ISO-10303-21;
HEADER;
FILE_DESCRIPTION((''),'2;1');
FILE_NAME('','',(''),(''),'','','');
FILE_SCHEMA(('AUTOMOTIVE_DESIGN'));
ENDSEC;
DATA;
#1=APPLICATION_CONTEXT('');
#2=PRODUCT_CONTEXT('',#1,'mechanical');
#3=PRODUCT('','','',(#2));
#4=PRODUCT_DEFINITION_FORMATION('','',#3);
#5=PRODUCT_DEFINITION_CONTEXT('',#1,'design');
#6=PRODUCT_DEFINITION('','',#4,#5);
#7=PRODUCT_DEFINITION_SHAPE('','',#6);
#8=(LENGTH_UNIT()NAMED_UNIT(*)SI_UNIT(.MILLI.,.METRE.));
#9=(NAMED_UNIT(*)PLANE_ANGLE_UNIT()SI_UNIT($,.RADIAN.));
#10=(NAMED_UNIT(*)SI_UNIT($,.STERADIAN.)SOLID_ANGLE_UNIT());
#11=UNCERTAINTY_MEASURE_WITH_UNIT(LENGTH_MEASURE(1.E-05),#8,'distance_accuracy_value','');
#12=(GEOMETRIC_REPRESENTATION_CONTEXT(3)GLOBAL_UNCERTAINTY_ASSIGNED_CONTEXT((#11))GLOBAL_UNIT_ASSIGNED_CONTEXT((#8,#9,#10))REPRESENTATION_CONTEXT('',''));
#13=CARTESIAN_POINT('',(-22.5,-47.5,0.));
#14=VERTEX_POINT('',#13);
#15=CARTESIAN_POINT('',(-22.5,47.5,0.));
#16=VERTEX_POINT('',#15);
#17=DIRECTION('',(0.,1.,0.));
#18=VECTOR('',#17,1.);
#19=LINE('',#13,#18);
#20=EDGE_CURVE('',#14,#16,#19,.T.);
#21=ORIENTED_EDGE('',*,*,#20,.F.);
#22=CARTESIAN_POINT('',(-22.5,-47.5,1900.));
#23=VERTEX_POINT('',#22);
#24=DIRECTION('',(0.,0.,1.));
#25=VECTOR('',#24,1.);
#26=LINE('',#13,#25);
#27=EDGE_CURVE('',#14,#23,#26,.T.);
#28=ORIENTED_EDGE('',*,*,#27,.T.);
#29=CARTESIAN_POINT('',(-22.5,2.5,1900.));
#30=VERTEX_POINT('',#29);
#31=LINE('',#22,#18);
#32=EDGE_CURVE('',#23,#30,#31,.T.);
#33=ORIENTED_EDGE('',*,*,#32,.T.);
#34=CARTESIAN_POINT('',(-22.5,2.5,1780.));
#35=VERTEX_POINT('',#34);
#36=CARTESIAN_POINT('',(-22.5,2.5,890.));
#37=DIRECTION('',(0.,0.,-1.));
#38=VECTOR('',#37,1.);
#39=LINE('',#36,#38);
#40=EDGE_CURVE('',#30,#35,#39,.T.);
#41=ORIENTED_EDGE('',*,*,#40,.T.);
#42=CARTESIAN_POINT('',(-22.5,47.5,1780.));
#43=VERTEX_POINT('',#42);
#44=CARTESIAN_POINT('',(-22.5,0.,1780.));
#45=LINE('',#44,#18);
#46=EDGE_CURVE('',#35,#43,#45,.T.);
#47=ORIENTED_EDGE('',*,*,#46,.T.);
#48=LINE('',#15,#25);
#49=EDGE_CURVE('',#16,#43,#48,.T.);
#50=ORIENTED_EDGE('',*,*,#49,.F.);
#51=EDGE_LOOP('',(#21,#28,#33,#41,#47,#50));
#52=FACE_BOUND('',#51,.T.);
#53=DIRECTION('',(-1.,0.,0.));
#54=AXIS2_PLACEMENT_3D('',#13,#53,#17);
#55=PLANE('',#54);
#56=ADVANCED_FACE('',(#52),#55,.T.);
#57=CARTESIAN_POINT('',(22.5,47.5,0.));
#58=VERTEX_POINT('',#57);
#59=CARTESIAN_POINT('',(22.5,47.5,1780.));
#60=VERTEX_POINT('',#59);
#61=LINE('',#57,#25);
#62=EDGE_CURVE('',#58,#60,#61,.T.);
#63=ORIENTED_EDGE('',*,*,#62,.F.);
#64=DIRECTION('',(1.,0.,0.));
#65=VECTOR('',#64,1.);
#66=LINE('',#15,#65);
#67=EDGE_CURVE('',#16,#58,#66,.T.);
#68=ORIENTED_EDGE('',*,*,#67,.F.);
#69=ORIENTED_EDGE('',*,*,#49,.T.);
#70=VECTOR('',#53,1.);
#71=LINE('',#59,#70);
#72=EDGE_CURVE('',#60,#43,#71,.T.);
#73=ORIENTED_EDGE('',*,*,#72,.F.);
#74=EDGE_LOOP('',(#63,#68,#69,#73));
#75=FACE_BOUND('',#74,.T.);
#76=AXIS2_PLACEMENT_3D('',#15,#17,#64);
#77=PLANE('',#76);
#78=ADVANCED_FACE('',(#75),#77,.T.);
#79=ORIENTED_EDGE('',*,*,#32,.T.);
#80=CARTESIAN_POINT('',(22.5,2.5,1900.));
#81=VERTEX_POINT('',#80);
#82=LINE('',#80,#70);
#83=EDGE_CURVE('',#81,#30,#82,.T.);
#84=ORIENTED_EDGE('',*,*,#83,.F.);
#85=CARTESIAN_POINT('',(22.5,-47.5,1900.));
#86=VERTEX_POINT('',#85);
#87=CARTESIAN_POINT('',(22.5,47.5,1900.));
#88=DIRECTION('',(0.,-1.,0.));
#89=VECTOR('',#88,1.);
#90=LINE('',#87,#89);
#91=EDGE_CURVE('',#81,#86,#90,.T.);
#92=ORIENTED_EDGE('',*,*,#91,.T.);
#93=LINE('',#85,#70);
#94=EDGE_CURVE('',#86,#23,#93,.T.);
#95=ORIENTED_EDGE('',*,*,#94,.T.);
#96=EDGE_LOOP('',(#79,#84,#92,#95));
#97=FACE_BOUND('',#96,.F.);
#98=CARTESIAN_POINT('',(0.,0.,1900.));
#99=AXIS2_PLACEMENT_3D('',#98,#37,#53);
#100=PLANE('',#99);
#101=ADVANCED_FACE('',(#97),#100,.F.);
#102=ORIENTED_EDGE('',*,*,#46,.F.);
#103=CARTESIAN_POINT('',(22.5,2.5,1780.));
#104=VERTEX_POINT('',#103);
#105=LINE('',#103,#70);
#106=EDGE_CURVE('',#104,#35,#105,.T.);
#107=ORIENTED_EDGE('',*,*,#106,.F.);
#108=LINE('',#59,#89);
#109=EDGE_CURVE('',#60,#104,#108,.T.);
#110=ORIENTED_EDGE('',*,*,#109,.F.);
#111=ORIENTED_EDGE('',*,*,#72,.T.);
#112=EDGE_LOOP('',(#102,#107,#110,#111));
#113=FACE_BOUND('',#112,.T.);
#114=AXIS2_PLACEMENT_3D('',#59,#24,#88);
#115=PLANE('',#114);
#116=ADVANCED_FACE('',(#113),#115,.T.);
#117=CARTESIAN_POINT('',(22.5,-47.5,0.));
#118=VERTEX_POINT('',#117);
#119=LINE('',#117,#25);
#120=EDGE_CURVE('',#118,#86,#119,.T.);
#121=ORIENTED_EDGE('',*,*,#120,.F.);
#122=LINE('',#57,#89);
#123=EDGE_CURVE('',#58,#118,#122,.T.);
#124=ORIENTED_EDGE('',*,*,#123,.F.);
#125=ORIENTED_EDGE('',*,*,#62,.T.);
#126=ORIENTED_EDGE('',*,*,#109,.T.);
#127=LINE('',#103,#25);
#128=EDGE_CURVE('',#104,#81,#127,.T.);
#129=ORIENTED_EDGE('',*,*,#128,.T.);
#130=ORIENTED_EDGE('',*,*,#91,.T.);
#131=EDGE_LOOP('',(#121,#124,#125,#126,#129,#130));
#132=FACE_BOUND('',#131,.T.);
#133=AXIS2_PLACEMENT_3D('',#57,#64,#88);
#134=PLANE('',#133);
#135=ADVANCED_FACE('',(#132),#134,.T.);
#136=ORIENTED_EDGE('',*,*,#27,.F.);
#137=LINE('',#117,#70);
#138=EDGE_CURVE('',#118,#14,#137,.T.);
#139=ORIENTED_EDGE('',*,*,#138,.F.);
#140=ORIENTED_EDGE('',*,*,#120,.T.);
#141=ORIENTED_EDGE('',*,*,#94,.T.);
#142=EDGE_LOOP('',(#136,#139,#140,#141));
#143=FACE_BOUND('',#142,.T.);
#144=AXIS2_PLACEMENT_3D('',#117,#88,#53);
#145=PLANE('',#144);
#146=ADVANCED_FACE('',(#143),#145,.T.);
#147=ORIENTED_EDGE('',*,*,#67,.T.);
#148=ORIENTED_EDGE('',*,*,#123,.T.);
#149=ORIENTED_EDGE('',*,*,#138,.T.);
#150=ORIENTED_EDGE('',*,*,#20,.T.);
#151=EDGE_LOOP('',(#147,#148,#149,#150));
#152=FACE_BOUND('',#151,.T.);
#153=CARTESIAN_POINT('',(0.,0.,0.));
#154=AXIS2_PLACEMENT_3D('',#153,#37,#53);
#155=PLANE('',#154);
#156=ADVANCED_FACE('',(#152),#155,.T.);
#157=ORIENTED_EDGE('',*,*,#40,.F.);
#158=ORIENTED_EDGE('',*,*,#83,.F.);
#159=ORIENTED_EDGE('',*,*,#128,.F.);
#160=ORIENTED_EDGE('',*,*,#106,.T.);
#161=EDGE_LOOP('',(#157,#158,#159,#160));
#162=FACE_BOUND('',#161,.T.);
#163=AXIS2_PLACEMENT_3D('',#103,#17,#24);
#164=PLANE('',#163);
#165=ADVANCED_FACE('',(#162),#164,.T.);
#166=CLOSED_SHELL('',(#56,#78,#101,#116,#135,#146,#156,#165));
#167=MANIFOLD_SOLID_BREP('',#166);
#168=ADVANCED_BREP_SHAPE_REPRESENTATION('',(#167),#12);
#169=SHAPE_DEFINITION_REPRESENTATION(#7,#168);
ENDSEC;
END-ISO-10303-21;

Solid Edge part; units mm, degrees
sketch "Sketch1" plane through (0, 0, 0) normal (0, 0, -1) x (-1, 0, 0)
  line L0 (-22.5, -47.5) -> (22.5, -47.5)
  line L1 (22.5, -47.5) -> (22.5, 47.5)
  line L2 (22.5, 47.5) -> (-22.5, 47.5)
  line L3 (-22.5, 47.5) -> (-22.5, -47.5)
extrude "Protrusion1" add sketch "Sketch1" against normal blind 1900
sketch "Sketch2" plane through (22.5, 0, 950) normal (1, 0, 0) x (0, 0, -1)
  line L0 (-950, 47.5) -> (-830, 47.5)
  line L1 (-830, 47.5) -> (-830, 2.5)
  line L2 (-830, 2.5) -> (-950, 2.5)
  line L3 (-950, 2.5) -> (-950, 47.5)
extrude "ExtrudedCutout_1" cut sketch "Sketch2" against normal blind 397.3031
properties material "Wood, Pine"
